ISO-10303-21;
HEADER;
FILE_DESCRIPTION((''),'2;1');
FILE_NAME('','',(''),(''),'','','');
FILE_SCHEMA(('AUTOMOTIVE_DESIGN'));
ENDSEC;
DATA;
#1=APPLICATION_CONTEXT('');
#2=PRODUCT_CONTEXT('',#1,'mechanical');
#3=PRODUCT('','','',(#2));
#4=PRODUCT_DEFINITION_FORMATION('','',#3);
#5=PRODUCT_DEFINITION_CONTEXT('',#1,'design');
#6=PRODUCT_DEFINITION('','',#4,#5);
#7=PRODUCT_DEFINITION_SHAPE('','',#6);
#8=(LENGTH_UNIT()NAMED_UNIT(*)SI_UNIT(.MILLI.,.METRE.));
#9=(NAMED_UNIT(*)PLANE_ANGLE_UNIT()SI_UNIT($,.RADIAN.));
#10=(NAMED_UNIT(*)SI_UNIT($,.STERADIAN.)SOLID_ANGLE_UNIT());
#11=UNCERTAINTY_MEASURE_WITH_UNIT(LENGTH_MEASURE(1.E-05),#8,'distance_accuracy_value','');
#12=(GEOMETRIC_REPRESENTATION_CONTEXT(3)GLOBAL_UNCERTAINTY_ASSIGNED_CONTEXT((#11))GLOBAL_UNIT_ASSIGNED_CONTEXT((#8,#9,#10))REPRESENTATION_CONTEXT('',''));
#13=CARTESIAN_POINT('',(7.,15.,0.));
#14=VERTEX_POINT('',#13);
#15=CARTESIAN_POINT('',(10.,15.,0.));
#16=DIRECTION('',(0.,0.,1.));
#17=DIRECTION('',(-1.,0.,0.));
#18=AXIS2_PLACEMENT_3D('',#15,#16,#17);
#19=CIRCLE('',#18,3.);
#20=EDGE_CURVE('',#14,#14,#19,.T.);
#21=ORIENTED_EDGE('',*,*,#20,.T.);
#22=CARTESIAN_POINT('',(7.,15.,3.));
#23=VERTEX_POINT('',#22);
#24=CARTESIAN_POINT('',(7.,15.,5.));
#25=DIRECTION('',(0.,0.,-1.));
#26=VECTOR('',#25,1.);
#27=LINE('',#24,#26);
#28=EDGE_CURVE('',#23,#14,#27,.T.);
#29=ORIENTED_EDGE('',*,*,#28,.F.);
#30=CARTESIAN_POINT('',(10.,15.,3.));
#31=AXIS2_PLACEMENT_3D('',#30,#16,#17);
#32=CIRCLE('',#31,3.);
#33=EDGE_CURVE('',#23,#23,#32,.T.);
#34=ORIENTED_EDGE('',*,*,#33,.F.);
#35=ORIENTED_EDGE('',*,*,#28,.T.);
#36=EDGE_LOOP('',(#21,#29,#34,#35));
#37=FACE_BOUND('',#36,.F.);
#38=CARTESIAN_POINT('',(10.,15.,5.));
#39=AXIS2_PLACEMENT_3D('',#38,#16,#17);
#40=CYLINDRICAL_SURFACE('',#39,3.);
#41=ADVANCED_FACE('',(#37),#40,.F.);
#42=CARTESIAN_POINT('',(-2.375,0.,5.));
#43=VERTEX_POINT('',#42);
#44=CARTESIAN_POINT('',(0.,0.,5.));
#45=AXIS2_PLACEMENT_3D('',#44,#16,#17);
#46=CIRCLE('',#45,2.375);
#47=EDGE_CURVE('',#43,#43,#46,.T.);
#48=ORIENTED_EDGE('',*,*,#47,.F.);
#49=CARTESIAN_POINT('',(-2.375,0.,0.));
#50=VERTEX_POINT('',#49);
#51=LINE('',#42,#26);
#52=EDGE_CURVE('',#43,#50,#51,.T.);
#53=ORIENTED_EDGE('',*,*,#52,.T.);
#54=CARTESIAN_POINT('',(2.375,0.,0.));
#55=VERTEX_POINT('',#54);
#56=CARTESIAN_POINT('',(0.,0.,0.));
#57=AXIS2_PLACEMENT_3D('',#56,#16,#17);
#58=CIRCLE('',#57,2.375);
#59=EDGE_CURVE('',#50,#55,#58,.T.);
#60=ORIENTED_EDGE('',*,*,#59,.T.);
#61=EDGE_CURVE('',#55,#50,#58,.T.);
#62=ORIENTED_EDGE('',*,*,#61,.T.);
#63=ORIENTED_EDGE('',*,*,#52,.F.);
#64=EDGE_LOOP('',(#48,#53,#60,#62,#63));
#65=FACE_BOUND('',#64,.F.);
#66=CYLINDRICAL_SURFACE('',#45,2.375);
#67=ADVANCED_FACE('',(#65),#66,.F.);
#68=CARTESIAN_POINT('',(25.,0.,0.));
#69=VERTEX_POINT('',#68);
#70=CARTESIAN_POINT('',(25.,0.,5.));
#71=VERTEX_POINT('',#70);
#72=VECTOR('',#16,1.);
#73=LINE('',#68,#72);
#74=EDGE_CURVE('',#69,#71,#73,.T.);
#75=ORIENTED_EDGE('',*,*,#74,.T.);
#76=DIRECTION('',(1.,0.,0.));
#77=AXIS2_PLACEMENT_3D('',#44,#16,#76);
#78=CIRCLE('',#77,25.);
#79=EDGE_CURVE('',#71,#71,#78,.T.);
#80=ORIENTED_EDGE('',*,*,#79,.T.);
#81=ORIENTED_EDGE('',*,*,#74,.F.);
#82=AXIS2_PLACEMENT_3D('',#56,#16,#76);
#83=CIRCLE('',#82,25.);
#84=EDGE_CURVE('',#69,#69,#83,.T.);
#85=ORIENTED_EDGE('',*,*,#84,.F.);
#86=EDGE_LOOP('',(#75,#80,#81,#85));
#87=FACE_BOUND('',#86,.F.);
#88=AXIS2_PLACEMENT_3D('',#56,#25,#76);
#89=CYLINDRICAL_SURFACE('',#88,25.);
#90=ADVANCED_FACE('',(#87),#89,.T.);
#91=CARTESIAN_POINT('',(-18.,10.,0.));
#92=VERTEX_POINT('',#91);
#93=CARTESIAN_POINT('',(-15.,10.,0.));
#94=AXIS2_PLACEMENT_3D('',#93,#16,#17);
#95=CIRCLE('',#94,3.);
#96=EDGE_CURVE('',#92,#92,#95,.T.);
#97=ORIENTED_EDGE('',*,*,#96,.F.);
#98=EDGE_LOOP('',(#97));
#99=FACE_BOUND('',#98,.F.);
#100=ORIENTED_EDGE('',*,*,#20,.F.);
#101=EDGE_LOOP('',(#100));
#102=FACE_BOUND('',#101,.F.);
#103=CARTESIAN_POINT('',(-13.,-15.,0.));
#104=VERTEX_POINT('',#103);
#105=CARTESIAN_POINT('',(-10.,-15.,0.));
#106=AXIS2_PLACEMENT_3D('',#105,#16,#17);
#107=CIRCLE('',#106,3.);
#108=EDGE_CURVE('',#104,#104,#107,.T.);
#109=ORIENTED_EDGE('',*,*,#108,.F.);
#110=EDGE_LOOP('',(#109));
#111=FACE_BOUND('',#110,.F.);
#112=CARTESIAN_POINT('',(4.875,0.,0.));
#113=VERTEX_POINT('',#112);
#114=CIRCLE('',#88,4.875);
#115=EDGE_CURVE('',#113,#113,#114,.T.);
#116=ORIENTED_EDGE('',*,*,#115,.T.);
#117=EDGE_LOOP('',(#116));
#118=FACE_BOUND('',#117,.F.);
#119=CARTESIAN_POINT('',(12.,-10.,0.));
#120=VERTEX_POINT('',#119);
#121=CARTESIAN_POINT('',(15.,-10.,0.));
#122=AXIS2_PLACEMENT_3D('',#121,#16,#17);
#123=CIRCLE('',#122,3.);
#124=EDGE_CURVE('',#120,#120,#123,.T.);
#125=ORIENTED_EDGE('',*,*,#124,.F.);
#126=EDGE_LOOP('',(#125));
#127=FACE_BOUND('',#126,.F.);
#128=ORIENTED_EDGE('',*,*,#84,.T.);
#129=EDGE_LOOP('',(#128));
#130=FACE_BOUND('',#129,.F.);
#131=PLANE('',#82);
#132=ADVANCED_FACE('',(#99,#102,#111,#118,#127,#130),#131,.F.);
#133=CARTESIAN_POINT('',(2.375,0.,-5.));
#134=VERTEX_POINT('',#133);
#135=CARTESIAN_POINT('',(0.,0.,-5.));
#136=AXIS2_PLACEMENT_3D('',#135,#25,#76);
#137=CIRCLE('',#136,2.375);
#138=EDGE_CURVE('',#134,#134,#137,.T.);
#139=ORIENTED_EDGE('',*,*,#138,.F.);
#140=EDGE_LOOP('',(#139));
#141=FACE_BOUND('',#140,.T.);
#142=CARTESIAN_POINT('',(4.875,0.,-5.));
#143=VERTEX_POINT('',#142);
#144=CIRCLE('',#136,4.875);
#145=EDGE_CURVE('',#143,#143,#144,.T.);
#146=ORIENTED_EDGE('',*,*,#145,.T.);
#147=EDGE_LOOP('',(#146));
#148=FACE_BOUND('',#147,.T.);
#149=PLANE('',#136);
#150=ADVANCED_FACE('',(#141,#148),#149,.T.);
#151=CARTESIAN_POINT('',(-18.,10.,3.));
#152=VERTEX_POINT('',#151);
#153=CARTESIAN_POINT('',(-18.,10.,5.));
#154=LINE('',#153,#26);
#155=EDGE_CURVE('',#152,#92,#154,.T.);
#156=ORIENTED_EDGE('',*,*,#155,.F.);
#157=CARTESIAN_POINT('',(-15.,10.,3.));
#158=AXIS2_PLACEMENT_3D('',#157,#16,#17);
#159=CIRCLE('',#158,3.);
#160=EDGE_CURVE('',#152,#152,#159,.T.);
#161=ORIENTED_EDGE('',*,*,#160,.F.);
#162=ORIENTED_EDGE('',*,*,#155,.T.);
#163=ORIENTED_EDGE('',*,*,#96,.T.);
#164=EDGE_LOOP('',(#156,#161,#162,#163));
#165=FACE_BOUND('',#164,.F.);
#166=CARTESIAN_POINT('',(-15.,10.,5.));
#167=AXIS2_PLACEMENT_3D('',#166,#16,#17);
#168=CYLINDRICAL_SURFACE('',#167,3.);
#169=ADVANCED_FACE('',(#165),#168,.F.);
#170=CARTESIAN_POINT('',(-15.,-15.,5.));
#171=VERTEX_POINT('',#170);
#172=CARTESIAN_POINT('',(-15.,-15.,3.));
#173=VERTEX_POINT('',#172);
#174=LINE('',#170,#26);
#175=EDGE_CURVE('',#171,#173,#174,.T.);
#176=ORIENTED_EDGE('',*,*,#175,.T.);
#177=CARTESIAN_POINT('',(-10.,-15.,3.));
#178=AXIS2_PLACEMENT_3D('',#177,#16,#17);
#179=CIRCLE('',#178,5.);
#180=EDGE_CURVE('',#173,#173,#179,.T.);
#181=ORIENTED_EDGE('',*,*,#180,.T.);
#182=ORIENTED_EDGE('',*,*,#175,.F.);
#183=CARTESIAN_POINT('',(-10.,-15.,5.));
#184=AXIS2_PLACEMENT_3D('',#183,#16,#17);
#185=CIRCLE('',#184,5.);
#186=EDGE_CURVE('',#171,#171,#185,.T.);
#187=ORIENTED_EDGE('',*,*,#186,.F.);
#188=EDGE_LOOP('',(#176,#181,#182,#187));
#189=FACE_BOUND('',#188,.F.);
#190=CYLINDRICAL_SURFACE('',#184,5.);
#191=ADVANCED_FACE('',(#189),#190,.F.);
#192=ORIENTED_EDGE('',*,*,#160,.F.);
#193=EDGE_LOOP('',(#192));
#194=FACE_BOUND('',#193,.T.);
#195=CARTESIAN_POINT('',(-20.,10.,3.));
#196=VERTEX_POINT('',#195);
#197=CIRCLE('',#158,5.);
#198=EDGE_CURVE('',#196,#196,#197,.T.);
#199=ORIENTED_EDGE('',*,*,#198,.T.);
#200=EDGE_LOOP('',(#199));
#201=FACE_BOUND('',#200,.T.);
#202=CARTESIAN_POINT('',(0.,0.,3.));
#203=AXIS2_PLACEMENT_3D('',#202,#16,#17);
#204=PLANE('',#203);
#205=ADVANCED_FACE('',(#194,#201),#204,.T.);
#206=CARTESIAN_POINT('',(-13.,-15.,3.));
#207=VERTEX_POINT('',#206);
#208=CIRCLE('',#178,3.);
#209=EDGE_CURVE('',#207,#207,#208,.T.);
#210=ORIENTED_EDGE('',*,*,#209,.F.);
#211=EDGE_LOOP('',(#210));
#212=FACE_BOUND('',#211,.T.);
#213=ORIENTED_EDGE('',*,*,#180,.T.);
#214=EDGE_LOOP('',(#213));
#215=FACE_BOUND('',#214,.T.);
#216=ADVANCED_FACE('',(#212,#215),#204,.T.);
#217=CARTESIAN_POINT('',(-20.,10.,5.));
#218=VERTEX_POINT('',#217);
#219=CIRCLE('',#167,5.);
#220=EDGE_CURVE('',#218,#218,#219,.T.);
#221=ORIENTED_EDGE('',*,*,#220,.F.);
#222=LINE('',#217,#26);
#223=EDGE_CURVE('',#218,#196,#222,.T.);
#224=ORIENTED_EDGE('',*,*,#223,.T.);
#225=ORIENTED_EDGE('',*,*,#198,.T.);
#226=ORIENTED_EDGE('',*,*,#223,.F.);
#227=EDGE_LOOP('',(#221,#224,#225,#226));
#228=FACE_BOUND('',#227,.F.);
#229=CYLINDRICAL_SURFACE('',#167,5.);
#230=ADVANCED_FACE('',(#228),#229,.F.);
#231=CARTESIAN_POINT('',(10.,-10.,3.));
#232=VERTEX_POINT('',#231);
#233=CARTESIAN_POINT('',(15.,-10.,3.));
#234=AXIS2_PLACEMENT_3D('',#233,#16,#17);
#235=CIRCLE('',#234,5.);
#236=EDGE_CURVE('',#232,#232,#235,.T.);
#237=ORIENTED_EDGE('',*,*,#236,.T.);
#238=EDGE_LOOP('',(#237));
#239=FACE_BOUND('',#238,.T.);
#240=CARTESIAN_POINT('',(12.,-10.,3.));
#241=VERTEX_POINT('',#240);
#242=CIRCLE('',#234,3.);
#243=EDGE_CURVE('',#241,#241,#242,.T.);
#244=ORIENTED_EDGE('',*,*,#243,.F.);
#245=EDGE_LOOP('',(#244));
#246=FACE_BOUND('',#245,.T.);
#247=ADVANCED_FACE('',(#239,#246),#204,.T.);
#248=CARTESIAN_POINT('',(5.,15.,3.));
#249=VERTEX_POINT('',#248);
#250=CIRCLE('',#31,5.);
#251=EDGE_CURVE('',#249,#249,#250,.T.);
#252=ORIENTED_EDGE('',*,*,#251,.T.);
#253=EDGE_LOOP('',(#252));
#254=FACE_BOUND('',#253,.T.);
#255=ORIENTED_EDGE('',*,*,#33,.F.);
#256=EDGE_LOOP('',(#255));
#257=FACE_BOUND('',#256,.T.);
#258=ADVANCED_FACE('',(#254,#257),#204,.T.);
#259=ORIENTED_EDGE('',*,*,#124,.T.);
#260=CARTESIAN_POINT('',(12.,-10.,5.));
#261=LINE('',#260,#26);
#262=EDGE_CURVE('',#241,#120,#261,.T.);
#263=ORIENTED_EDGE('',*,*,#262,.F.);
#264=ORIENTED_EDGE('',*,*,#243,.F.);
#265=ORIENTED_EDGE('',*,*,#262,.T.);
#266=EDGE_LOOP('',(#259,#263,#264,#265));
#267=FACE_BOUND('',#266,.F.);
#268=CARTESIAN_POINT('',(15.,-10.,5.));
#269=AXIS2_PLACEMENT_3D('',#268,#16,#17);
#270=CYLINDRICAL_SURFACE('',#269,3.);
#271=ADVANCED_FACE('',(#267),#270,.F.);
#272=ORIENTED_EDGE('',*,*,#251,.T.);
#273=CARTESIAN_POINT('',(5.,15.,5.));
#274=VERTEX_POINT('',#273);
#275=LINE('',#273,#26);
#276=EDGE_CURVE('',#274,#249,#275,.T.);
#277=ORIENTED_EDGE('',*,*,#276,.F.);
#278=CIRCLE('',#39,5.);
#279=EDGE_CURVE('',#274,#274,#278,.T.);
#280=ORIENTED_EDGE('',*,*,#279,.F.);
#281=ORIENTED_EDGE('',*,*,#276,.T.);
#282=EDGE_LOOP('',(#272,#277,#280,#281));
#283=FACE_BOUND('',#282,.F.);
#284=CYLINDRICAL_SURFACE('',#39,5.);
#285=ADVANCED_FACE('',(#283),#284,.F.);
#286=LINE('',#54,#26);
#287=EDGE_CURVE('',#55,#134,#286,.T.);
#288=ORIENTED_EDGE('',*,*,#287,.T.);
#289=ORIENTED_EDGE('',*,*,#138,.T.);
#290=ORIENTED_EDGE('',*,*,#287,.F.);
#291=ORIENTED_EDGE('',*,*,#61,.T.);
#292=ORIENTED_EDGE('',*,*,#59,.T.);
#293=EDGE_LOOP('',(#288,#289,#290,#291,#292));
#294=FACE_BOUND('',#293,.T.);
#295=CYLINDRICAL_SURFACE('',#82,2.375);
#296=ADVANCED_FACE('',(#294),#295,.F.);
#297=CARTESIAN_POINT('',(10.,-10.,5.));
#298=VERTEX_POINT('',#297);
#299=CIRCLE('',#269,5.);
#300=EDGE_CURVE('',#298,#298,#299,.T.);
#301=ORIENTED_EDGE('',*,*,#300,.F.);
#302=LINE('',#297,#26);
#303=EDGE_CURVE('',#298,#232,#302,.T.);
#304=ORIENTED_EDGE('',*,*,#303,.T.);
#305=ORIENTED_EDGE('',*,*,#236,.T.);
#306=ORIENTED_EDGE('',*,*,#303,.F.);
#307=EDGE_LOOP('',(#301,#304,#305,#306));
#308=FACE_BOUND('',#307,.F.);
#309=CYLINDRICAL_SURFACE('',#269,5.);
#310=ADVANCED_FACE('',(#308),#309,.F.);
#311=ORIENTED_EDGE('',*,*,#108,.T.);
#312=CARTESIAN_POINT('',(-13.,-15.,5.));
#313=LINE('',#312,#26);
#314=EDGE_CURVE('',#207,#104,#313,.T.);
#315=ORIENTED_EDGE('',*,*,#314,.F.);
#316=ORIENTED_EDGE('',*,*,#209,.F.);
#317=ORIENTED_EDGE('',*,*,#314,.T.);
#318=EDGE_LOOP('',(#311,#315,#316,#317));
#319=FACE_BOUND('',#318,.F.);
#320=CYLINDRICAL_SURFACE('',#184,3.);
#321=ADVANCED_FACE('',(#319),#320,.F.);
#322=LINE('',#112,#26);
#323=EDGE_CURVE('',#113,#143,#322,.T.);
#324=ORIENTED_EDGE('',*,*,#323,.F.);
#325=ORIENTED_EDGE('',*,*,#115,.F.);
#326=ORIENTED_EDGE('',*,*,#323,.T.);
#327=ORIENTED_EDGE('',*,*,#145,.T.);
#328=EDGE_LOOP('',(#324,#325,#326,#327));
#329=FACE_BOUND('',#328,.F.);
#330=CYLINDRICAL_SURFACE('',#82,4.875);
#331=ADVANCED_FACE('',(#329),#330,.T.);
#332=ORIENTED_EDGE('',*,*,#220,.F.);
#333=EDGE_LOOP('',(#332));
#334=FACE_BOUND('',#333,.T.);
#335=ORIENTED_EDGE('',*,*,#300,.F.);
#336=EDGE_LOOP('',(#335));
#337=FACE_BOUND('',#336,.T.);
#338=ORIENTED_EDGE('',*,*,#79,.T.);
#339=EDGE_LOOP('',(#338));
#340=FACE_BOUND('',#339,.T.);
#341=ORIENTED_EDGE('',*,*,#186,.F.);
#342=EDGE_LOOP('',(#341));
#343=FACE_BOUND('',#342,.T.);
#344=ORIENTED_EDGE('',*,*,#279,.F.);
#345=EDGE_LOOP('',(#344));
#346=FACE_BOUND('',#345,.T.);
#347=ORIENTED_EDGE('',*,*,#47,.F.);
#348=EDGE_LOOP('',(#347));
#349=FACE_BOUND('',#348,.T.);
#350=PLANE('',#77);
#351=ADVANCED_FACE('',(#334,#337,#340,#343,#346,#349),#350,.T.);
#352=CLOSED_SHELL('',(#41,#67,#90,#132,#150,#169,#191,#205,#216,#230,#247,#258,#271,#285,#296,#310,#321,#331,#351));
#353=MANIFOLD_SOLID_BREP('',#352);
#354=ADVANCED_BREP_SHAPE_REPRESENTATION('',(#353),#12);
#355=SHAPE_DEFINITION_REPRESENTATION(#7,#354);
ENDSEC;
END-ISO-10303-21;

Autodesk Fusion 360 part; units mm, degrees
sketch "Sketch1" plane through (0, 0, 0) normal (0, 0, 1) x (1, 0, 0)
  circle A0 centre (0, 0) radius 25
  dimension "d1" = 50
extrude "Extrude1" add sketch "Sketch1" along normal blind 5
sketch "Sketch2" plane through (0, 0, 5) normal (0, 0, 1) x (-1, 0, 0)
  circle A0 centre (0, 0) radius 25
  circle A1 centre (15, -10) radius 3
  circle A2 centre (-10, -15) radius 3
  circle A3 centre (-15, 10) radius 3
  circle A4 centre (10, 15) radius 3
  dimension "d4" = 6
  dimension "d5" = 6
  dimension "d6" = 6
  dimension "d7" = 6
extrude "Extrude2" cut sketch "Sketch2" against normal blind 5 contours A1 | A2 | A3 | A4
sketch "Sketch3" plane through (0, 0, 5) normal (0, 0, 1) x (-1, 0, 0)
  circle A0 centre (-10, -15) radius 3
  circle A1 centre (-15, 10) radius 3
  circle A2 centre (15, -10) radius 3
  circle A3 centre (10, 15) radius 3
  circle A4 centre (0, 0) radius 25
  circle A5 centre (15, -10) radius 5
  circle A6 centre (-10, -15) radius 5
  circle A7 centre (-15, 10) radius 5
  circle A8 centre (10, 15) radius 5
  dimension "d10" = 10
  dimension "d11" = 10
  dimension "d12" = 10
  dimension "d13" = 10
extrude "Extrude3" cut sketch "Sketch3" against normal blind 2 contours A5 | A6 | A7 | A8
sketch "Sketch4" plane through (0, 0, 5) normal (0, 0, 1) x (-1, 0, 0)
  circle A0 centre (-10, -15) radius 5
  circle A1 centre (-15, 10) radius 5
  circle A2 centre (15, -10) radius 5
  circle A3 centre (10, 15) radius 5
  circle A4 centre (0, 0) radius 25
  circle A5 centre (0, 0) radius 2.375
  dimension "d16" = 4.75
extrude "Extrude4" cut sketch "Sketch4" against normal blind 21 contours A5
sketch "Sketch7" plane through (0, 0, 0) normal (0, 0, -1) x (1, 0, 0)
  circle A0 centre (0, 0) radius 2.375
  circle A1 centre (10, -15) radius 3
  circle A2 centre (15, 10) radius 3
  circle A3 centre (-15, -10) radius 3
  circle A4 centre (-10, 15) radius 3
  circle A5 centre (0, 0) radius 25
  circle A6 centre (0, 0) radius 4.875
  dimension "d22" = 9.75
extrude "Extrude6" add sketch "Sketch7" along normal blind 5 contours A6
